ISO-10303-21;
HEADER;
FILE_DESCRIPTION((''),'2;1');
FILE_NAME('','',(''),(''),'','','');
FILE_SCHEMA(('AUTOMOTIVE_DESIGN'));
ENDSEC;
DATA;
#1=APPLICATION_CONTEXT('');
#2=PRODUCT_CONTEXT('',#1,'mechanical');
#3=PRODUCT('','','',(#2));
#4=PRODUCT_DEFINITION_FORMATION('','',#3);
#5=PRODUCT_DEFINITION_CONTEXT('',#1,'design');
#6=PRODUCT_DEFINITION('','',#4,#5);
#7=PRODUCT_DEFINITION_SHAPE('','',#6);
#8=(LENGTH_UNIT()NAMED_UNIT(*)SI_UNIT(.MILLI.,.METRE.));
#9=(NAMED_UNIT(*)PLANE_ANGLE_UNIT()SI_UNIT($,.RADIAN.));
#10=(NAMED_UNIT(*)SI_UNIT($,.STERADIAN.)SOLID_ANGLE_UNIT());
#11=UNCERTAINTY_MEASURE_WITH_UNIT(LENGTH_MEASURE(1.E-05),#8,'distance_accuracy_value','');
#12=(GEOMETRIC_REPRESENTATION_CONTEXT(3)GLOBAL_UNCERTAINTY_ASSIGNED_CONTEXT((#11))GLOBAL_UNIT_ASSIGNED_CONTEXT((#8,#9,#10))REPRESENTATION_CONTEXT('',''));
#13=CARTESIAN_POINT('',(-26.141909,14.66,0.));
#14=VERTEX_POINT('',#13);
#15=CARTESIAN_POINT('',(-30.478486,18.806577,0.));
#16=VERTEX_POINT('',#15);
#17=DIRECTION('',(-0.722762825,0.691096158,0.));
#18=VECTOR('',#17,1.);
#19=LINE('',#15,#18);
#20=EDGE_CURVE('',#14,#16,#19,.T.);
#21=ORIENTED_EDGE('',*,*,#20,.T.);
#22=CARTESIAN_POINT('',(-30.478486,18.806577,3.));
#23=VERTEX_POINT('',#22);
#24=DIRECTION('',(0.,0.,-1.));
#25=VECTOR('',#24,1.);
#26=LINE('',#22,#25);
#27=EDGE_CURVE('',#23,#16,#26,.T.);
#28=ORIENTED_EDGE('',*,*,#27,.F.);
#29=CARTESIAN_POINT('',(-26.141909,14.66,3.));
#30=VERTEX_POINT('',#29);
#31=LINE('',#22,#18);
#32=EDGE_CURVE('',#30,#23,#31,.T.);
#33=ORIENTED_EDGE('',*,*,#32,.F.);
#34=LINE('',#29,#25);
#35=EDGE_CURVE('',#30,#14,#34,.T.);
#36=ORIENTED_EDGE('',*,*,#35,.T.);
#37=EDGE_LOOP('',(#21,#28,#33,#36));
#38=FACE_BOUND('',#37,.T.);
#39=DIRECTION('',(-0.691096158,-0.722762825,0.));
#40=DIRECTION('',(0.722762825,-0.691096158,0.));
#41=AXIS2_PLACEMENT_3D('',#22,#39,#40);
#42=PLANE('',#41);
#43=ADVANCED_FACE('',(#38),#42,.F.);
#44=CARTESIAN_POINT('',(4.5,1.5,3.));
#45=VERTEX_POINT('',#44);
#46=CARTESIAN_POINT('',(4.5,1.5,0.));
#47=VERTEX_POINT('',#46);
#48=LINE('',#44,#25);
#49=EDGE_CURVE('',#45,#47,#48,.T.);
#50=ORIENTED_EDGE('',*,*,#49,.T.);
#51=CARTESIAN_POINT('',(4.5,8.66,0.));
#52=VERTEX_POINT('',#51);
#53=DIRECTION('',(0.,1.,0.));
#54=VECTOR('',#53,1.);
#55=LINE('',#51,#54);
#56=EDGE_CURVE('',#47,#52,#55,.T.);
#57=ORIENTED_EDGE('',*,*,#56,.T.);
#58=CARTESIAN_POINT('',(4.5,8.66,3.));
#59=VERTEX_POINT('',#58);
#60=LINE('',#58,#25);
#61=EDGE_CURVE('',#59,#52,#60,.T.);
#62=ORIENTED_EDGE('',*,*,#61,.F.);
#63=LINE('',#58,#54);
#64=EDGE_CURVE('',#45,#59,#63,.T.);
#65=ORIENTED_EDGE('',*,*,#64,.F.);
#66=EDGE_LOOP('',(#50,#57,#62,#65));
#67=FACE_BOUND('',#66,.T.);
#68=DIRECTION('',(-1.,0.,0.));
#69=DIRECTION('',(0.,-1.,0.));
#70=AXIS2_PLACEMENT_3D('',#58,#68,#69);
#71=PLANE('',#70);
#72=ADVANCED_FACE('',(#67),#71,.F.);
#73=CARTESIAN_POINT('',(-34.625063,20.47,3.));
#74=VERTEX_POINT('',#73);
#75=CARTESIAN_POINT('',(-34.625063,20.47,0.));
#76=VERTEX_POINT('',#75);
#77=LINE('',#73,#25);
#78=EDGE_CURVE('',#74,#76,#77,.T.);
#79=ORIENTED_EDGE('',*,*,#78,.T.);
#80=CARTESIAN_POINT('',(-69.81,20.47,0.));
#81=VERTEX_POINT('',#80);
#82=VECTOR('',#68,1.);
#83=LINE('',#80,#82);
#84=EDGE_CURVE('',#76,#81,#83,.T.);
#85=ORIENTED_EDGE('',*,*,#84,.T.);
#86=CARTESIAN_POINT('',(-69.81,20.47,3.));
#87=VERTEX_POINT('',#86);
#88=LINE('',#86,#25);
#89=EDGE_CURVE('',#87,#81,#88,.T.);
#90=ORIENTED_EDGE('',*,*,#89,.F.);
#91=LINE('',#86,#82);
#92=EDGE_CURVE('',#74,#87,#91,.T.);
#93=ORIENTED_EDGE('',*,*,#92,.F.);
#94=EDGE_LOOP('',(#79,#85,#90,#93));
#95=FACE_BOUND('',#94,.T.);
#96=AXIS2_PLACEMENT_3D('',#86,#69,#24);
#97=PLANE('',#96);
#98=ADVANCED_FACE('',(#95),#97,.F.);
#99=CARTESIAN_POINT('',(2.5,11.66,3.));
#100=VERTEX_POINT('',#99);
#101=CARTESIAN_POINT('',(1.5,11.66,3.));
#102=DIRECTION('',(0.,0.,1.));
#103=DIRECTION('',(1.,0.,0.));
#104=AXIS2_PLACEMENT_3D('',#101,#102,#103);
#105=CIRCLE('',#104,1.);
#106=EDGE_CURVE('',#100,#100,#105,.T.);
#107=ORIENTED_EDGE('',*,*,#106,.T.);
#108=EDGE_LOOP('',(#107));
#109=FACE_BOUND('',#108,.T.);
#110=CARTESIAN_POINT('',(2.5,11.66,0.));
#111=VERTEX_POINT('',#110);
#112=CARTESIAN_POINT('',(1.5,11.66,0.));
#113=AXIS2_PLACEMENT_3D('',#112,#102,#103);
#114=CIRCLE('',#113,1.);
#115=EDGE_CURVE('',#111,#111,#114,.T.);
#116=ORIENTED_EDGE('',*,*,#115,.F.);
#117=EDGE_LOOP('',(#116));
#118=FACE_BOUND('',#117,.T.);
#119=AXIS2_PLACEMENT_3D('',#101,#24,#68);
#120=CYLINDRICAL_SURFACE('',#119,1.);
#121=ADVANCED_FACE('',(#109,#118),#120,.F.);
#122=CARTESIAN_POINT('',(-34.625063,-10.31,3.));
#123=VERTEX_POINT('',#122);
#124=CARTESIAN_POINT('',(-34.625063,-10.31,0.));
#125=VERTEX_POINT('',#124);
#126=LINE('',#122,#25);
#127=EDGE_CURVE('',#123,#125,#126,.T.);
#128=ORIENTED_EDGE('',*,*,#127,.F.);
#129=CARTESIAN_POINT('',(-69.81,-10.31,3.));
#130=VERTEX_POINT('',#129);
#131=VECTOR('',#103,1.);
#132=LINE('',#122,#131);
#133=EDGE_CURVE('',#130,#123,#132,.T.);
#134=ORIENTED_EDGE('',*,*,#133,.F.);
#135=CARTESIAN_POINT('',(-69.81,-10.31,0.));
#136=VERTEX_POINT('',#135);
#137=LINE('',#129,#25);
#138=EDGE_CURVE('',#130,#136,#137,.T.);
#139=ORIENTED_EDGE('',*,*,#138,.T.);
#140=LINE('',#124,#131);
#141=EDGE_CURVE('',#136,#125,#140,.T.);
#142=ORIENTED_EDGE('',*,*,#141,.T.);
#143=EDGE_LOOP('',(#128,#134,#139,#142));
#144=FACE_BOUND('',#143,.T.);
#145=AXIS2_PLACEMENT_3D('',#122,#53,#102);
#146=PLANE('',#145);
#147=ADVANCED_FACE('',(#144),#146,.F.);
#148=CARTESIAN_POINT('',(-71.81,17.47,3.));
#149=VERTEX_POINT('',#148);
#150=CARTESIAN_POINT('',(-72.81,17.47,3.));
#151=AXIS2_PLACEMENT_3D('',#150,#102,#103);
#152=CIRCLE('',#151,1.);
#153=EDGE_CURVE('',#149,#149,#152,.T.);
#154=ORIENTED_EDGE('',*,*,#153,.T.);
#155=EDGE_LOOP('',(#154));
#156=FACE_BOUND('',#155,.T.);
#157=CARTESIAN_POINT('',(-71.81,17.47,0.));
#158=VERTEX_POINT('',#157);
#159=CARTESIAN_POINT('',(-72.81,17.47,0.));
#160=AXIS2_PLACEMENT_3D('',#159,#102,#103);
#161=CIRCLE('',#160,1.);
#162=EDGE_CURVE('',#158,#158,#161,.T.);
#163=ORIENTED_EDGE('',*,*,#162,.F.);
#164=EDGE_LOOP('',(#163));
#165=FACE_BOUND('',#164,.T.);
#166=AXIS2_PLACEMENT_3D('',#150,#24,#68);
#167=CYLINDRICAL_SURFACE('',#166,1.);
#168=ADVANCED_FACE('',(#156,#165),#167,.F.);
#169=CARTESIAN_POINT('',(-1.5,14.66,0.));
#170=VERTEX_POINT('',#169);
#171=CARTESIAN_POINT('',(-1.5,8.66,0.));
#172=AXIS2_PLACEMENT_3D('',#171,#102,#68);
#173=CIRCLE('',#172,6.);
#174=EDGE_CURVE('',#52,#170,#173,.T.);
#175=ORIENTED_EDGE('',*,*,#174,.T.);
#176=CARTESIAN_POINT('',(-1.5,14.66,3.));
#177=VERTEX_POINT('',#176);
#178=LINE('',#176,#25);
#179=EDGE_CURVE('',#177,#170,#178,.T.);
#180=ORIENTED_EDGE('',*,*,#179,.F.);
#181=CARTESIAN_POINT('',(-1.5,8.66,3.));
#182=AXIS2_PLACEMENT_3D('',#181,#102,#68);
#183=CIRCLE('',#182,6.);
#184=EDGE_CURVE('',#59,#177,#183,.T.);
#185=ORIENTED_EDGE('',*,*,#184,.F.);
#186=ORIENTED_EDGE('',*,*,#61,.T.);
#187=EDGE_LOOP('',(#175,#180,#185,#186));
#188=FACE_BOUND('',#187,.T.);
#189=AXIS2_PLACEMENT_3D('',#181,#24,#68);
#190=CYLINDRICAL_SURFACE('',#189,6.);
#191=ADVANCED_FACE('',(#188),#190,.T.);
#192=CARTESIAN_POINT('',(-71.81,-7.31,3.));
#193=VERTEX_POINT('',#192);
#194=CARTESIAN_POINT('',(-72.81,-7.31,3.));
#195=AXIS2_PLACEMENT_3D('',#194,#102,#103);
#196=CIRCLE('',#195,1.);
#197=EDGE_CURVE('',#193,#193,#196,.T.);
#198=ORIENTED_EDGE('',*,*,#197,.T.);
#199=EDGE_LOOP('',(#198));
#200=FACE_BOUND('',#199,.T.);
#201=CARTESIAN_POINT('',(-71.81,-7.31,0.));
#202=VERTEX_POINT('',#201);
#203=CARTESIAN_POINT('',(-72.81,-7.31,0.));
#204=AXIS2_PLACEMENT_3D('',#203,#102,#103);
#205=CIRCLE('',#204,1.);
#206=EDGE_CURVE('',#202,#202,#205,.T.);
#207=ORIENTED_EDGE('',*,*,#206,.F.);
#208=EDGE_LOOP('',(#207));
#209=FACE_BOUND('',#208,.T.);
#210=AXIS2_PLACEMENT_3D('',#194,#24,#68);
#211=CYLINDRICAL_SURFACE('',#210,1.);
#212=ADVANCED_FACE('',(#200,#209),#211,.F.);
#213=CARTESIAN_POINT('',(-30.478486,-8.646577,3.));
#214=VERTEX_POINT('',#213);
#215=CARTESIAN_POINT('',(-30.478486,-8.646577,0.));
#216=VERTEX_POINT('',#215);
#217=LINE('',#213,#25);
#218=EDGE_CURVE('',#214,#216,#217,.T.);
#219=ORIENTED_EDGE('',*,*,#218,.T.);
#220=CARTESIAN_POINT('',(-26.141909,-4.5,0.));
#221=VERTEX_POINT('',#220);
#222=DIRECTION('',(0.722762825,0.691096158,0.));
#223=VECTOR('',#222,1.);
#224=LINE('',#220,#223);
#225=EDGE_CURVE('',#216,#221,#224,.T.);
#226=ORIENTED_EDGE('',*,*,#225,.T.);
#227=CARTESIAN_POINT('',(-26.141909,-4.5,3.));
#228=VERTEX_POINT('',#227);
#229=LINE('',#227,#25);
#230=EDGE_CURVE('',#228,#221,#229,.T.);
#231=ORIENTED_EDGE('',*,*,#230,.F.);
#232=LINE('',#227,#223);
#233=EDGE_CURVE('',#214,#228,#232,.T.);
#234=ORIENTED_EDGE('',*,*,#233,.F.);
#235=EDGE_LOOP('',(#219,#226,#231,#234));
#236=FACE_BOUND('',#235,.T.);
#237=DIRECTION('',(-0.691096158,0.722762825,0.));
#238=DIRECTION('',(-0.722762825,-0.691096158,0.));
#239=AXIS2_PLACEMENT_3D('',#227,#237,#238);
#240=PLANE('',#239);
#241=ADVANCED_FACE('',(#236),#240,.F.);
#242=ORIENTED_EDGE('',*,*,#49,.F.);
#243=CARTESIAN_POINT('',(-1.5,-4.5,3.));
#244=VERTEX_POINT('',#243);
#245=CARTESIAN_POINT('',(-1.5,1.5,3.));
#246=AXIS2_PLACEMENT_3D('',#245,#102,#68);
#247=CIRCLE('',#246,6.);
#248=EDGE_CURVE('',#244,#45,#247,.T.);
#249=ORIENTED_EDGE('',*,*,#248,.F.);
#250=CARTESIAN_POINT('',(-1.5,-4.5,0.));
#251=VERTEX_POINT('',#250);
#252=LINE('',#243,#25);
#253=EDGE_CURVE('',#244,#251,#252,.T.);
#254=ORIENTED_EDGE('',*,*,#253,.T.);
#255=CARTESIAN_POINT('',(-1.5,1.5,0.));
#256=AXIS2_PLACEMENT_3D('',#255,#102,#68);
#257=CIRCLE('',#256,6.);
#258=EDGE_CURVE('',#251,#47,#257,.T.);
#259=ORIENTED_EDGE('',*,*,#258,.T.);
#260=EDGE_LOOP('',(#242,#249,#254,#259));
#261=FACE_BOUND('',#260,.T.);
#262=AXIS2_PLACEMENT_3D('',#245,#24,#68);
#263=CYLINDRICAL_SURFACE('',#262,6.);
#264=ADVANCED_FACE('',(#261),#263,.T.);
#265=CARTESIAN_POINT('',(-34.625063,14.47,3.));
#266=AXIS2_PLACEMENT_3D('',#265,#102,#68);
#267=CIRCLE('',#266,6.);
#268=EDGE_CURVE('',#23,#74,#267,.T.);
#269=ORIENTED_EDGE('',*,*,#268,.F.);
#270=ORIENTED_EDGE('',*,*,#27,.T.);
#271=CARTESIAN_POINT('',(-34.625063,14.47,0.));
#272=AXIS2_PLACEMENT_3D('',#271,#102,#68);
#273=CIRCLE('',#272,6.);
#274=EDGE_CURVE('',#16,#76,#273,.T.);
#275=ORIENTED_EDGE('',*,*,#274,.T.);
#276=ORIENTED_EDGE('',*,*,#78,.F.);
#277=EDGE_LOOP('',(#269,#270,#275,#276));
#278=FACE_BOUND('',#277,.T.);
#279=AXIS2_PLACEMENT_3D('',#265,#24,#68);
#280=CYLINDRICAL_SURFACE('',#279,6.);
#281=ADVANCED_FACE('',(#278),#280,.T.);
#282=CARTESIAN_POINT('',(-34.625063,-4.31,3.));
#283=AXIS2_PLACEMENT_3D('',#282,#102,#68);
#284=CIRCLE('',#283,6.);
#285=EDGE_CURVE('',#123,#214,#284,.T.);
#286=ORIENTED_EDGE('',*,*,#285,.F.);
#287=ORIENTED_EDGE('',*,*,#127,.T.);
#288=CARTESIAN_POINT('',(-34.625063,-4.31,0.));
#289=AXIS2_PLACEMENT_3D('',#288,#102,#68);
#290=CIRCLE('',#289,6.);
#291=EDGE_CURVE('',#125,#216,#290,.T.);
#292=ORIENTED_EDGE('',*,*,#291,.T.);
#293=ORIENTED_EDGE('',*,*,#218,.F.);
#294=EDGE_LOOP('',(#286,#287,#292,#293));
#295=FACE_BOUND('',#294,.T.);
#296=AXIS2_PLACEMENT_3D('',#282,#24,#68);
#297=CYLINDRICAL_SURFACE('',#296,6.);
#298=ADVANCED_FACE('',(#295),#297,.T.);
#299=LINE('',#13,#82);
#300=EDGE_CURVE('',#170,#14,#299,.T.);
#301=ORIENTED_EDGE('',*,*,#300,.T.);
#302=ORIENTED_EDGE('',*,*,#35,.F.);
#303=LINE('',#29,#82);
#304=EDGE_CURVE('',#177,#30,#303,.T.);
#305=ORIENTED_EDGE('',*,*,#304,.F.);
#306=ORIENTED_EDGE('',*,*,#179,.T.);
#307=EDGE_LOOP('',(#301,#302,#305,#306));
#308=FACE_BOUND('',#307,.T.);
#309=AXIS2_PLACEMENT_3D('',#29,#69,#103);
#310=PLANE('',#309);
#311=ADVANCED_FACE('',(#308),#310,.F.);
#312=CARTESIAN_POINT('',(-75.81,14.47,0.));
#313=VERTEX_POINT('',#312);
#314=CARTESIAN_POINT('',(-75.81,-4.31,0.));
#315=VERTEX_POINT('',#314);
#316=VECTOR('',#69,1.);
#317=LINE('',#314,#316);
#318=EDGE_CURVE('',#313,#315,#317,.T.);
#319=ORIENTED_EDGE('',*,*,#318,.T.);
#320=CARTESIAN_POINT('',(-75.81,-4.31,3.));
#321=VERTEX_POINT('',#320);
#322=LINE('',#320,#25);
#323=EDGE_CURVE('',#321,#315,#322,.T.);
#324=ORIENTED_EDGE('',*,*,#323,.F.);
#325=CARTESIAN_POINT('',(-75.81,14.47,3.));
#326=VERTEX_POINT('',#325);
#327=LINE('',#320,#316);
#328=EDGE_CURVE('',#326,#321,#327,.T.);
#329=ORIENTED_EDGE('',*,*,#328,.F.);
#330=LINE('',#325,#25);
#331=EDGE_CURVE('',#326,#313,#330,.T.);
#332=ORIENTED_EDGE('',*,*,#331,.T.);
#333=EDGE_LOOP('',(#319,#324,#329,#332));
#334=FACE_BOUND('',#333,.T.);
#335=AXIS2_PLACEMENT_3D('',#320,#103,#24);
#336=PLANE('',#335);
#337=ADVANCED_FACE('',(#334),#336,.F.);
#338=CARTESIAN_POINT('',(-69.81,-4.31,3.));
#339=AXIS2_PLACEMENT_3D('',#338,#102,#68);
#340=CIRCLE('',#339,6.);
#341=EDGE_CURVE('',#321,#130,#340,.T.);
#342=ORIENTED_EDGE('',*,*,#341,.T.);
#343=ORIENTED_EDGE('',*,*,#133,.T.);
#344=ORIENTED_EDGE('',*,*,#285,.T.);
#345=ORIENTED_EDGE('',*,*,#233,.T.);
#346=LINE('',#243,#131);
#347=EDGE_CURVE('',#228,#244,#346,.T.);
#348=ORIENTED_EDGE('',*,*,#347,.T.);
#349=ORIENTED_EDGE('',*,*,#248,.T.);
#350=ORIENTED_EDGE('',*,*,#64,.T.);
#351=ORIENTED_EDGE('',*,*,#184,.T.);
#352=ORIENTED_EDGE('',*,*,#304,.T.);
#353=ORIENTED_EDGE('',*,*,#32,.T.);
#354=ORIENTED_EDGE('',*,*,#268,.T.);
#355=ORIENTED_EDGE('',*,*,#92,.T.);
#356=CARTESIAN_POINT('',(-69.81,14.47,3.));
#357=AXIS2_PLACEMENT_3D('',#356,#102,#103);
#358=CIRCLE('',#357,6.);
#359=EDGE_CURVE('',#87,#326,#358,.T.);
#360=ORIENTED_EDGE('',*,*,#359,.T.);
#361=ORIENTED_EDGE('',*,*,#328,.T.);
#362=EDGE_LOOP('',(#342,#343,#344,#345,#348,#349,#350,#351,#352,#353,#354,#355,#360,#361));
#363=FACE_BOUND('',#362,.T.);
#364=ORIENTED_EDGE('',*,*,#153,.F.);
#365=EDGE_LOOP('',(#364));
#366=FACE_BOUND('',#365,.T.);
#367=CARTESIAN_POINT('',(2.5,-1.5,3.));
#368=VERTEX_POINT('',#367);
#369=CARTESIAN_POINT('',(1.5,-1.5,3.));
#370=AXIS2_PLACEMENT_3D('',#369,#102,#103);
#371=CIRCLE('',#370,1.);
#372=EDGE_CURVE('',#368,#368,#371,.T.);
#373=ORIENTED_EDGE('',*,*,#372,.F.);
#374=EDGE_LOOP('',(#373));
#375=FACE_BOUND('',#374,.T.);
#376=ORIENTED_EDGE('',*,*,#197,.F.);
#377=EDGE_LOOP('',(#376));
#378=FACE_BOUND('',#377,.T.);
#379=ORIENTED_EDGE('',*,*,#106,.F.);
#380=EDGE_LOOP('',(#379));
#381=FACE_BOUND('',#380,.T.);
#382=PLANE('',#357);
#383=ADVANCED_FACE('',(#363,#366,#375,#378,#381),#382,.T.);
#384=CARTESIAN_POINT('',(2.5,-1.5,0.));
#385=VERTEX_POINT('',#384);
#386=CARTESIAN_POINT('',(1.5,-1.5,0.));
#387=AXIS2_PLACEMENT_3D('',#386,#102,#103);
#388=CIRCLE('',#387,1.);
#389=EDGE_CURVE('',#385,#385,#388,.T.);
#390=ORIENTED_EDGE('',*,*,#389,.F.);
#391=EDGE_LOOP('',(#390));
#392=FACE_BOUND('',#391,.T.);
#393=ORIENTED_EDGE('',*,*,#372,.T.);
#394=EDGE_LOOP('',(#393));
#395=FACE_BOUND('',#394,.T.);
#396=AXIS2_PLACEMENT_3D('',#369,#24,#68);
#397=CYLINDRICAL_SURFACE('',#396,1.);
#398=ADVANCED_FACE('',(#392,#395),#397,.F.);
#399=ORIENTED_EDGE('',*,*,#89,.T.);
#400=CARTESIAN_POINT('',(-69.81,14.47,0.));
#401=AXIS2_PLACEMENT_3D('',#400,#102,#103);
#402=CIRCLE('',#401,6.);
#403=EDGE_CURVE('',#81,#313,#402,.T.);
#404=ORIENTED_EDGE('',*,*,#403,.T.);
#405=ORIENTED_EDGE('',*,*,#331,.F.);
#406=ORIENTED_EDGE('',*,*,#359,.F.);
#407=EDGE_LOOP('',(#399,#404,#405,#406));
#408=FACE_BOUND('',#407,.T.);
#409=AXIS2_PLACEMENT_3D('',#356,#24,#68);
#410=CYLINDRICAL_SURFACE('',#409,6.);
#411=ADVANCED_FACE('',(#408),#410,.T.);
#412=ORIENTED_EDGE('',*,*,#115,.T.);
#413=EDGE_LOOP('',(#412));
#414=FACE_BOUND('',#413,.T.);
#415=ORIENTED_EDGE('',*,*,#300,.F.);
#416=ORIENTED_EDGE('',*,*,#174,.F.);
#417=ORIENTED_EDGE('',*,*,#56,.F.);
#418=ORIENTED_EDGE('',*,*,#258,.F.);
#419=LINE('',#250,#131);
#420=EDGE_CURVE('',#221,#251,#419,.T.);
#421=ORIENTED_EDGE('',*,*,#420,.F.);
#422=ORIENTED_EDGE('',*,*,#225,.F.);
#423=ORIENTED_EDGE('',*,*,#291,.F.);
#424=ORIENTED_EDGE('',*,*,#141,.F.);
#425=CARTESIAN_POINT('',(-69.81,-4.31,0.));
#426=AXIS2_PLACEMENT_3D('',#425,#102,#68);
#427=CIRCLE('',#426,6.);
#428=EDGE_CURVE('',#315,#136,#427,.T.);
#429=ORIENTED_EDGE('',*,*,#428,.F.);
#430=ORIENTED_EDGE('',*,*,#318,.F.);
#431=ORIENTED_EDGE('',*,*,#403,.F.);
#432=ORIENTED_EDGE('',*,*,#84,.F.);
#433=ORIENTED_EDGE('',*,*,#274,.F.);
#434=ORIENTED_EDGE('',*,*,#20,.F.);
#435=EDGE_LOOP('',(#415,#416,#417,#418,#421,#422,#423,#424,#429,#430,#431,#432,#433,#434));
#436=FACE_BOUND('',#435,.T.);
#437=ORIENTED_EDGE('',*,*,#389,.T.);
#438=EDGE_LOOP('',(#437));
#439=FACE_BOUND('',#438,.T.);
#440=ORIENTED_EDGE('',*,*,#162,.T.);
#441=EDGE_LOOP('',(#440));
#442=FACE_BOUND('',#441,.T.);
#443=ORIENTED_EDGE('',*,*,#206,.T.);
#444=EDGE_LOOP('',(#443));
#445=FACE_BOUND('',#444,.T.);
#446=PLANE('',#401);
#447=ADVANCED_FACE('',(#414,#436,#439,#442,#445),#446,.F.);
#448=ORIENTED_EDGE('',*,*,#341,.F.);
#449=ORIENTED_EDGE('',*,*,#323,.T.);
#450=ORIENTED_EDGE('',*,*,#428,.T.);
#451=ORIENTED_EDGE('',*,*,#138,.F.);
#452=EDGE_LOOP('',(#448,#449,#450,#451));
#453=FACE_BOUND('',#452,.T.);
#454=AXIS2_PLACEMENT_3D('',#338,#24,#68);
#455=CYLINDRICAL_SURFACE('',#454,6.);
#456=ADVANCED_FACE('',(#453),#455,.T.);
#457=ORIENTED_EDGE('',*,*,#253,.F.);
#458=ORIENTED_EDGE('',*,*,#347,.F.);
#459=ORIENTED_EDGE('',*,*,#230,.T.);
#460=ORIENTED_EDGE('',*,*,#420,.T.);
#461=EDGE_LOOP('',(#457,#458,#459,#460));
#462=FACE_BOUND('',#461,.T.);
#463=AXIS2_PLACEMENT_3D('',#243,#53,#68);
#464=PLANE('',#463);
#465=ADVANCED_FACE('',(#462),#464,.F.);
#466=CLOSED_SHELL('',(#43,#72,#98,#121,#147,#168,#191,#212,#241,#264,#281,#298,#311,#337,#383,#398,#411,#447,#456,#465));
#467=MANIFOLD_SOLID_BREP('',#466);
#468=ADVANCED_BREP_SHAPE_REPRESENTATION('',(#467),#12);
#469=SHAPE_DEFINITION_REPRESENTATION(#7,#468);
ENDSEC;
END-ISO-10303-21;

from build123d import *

# Parameters (mm, degrees)
SKETCH3_R           = 1
BOSS_EXTRUDE2_DEPTH = 3
BOSS_EXTRUDE5_DEPTH = 3


with BuildPart() as part:
    # Sketch3 → Boss-Extrude2 (new body)
    with BuildSketch(Plane.XY):
        with BuildLine():
            Line((-69.81, 20.47), (-34.625063383, 20.47))
            ThreePointArc((-34.625063383, 20.47), (-32.391172348, 20.03863815), (-30.478486436, 18.806576947))
            Line((-30.478486436, 18.806576947), (-26.141909489, 14.66))
            Line((-26.141909489, 14.66), (-1.5, 14.66))
            ThreePointArc((-1.5, 14.66), (2.742640687, 12.902640687), (4.5, 8.66))
            Line((4.5, 8.66), (4.5, 1.5))
            ThreePointArc((4.5, 1.5), (2.742640687, -2.742640687), (-1.5, -4.5))
            Line((-1.5, -4.5), (-26.141909489, -4.5))
            Line((-26.141909489, -4.5), (-30.478486436, -8.646576947))
            ThreePointArc((-30.478486436, -8.646576947), (-32.391172348, -9.87863815), (-34.625063383, -10.31))
            Line((-34.625063383, -10.31), (-69.81, -10.31))
            ThreePointArc((-69.81, -10.31), (-74.052640687, -8.552640687), (-75.81, -4.31))
            Line((-75.81, -4.31), (-75.81, 14.47))
            ThreePointArc((-75.81, 14.47), (-74.052640687, 18.712640687), (-69.81, 20.47))
        make_face()
        with Locations((-72.81, 17.47)):
            Circle(SKETCH3_R, mode=Mode.SUBTRACT)
        with Locations((-72.81, -7.31)):
            Circle(SKETCH3_R, mode=Mode.SUBTRACT)
        with Locations((1.5, -1.5)):
            Circle(SKETCH3_R, mode=Mode.SUBTRACT)
        with Locations((1.5, 11.66)):
            Circle(SKETCH3_R, mode=Mode.SUBTRACT)
        with BuildLine():
            Line((-69.81, 17.47), (-34.625063383, 17.47))
            ThreePointArc((-34.625063383, 17.47), (-33.508117866, 17.254319075), (-32.55177491, 16.638288474))
            Line((-32.55177491, 16.638288474), (-28.215197962, 12.491711526))
            ThreePointArc((-28.215197962, 12.491711526), (-27.258855006, 11.875680925), (-26.141909489, 11.66))
            Line((-26.141909489, 11.66), (-1.5, 11.66))
            ThreePointArc((-1.5, 11.66), (0.621320344, 10.781320344), (1.5, 8.66))
            Line((1.5, 8.66), (1.5, 1.5))
            ThreePointArc((1.5, 1.5), (0.621320344, -0.621320344), (-1.5, -1.5))
            Line((-1.5, -1.5), (-26.141909489, -1.5))
            ThreePointArc((-26.141909489, -1.5), (-27.258855006, -1.715680925), (-28.215197962, -2.331711526))
            Line((-28.215197962, -2.331711526), (-32.55177491, -6.478288474))
            ThreePointArc((-32.55177491, -6.478288474), (-33.508117866, -7.094319075), (-34.625063383, -7.31))
            Line((-34.625063383, -7.31), (-69.81, -7.31))
            ThreePointArc((-69.81, -7.31), (-71.931320344, -6.431320344), (-72.81, -4.31))
            Line((-72.81, -4.31), (-72.81, 14.47))
            ThreePointArc((-72.81, 14.47), (-71.931320344, 16.591320344), (-69.81, 17.47))
        make_face(mode=Mode.SUBTRACT)
    extrude(amount=BOSS_EXTRUDE2_DEPTH)

    # Sketch8 → Boss-Extrude5 (add)
    with BuildSketch(Plane.XY.offset(3)):
        with BuildLine():
            Line((-72.81, 14.47), (-72.81, -4.31))
            ThreePointArc((-72.81, -4.31), (-71.931320344, -6.431320344), (-69.81, -7.31))
            Line((-69.81, -7.31), (-34.625063383, -7.31))
            ThreePointArc((-34.625063383, -7.31), (-33.508117866, -7.094319075), (-32.55177491, -6.478288474))
            Line((-32.55177491, -6.478288474), (-28.215197962, -2.331711526))
            ThreePointArc((-28.215197962, -2.331711526), (-27.258855006, -1.715680925), (-26.141909489, -1.5))
            Line((-26.141909489, -1.5), (-1.5, -1.5))
            ThreePointArc((-1.5, -1.5), (0.621320344, -0.621320344), (1.5, 1.5))
            Line((1.5, 1.5), (1.5, 8.66))
            ThreePointArc((1.5, 8.66), (0.621320344, 10.781320344), (-1.5, 11.66))
            Line((-1.5, 11.66), (-26.141909489, 11.66))
            ThreePointArc((-26.141909489, 11.66), (-27.258855006, 11.875680925), (-28.215197962, 12.491711526))
            Line((-28.215197962, 12.491711526), (-32.55177491, 16.638288474))
            ThreePointArc((-32.55177491, 16.638288474), (-33.508117866, 17.254319075), (-34.625063383, 17.47))
            Line((-34.625063383, 17.47), (-69.81, 17.47))
            ThreePointArc((-69.81, 17.47), (-71.931320344, 16.591320344), (-72.81, 14.47))
        make_face()
    extrude(amount=-BOSS_EXTRUDE5_DEPTH)


solid = part.part
